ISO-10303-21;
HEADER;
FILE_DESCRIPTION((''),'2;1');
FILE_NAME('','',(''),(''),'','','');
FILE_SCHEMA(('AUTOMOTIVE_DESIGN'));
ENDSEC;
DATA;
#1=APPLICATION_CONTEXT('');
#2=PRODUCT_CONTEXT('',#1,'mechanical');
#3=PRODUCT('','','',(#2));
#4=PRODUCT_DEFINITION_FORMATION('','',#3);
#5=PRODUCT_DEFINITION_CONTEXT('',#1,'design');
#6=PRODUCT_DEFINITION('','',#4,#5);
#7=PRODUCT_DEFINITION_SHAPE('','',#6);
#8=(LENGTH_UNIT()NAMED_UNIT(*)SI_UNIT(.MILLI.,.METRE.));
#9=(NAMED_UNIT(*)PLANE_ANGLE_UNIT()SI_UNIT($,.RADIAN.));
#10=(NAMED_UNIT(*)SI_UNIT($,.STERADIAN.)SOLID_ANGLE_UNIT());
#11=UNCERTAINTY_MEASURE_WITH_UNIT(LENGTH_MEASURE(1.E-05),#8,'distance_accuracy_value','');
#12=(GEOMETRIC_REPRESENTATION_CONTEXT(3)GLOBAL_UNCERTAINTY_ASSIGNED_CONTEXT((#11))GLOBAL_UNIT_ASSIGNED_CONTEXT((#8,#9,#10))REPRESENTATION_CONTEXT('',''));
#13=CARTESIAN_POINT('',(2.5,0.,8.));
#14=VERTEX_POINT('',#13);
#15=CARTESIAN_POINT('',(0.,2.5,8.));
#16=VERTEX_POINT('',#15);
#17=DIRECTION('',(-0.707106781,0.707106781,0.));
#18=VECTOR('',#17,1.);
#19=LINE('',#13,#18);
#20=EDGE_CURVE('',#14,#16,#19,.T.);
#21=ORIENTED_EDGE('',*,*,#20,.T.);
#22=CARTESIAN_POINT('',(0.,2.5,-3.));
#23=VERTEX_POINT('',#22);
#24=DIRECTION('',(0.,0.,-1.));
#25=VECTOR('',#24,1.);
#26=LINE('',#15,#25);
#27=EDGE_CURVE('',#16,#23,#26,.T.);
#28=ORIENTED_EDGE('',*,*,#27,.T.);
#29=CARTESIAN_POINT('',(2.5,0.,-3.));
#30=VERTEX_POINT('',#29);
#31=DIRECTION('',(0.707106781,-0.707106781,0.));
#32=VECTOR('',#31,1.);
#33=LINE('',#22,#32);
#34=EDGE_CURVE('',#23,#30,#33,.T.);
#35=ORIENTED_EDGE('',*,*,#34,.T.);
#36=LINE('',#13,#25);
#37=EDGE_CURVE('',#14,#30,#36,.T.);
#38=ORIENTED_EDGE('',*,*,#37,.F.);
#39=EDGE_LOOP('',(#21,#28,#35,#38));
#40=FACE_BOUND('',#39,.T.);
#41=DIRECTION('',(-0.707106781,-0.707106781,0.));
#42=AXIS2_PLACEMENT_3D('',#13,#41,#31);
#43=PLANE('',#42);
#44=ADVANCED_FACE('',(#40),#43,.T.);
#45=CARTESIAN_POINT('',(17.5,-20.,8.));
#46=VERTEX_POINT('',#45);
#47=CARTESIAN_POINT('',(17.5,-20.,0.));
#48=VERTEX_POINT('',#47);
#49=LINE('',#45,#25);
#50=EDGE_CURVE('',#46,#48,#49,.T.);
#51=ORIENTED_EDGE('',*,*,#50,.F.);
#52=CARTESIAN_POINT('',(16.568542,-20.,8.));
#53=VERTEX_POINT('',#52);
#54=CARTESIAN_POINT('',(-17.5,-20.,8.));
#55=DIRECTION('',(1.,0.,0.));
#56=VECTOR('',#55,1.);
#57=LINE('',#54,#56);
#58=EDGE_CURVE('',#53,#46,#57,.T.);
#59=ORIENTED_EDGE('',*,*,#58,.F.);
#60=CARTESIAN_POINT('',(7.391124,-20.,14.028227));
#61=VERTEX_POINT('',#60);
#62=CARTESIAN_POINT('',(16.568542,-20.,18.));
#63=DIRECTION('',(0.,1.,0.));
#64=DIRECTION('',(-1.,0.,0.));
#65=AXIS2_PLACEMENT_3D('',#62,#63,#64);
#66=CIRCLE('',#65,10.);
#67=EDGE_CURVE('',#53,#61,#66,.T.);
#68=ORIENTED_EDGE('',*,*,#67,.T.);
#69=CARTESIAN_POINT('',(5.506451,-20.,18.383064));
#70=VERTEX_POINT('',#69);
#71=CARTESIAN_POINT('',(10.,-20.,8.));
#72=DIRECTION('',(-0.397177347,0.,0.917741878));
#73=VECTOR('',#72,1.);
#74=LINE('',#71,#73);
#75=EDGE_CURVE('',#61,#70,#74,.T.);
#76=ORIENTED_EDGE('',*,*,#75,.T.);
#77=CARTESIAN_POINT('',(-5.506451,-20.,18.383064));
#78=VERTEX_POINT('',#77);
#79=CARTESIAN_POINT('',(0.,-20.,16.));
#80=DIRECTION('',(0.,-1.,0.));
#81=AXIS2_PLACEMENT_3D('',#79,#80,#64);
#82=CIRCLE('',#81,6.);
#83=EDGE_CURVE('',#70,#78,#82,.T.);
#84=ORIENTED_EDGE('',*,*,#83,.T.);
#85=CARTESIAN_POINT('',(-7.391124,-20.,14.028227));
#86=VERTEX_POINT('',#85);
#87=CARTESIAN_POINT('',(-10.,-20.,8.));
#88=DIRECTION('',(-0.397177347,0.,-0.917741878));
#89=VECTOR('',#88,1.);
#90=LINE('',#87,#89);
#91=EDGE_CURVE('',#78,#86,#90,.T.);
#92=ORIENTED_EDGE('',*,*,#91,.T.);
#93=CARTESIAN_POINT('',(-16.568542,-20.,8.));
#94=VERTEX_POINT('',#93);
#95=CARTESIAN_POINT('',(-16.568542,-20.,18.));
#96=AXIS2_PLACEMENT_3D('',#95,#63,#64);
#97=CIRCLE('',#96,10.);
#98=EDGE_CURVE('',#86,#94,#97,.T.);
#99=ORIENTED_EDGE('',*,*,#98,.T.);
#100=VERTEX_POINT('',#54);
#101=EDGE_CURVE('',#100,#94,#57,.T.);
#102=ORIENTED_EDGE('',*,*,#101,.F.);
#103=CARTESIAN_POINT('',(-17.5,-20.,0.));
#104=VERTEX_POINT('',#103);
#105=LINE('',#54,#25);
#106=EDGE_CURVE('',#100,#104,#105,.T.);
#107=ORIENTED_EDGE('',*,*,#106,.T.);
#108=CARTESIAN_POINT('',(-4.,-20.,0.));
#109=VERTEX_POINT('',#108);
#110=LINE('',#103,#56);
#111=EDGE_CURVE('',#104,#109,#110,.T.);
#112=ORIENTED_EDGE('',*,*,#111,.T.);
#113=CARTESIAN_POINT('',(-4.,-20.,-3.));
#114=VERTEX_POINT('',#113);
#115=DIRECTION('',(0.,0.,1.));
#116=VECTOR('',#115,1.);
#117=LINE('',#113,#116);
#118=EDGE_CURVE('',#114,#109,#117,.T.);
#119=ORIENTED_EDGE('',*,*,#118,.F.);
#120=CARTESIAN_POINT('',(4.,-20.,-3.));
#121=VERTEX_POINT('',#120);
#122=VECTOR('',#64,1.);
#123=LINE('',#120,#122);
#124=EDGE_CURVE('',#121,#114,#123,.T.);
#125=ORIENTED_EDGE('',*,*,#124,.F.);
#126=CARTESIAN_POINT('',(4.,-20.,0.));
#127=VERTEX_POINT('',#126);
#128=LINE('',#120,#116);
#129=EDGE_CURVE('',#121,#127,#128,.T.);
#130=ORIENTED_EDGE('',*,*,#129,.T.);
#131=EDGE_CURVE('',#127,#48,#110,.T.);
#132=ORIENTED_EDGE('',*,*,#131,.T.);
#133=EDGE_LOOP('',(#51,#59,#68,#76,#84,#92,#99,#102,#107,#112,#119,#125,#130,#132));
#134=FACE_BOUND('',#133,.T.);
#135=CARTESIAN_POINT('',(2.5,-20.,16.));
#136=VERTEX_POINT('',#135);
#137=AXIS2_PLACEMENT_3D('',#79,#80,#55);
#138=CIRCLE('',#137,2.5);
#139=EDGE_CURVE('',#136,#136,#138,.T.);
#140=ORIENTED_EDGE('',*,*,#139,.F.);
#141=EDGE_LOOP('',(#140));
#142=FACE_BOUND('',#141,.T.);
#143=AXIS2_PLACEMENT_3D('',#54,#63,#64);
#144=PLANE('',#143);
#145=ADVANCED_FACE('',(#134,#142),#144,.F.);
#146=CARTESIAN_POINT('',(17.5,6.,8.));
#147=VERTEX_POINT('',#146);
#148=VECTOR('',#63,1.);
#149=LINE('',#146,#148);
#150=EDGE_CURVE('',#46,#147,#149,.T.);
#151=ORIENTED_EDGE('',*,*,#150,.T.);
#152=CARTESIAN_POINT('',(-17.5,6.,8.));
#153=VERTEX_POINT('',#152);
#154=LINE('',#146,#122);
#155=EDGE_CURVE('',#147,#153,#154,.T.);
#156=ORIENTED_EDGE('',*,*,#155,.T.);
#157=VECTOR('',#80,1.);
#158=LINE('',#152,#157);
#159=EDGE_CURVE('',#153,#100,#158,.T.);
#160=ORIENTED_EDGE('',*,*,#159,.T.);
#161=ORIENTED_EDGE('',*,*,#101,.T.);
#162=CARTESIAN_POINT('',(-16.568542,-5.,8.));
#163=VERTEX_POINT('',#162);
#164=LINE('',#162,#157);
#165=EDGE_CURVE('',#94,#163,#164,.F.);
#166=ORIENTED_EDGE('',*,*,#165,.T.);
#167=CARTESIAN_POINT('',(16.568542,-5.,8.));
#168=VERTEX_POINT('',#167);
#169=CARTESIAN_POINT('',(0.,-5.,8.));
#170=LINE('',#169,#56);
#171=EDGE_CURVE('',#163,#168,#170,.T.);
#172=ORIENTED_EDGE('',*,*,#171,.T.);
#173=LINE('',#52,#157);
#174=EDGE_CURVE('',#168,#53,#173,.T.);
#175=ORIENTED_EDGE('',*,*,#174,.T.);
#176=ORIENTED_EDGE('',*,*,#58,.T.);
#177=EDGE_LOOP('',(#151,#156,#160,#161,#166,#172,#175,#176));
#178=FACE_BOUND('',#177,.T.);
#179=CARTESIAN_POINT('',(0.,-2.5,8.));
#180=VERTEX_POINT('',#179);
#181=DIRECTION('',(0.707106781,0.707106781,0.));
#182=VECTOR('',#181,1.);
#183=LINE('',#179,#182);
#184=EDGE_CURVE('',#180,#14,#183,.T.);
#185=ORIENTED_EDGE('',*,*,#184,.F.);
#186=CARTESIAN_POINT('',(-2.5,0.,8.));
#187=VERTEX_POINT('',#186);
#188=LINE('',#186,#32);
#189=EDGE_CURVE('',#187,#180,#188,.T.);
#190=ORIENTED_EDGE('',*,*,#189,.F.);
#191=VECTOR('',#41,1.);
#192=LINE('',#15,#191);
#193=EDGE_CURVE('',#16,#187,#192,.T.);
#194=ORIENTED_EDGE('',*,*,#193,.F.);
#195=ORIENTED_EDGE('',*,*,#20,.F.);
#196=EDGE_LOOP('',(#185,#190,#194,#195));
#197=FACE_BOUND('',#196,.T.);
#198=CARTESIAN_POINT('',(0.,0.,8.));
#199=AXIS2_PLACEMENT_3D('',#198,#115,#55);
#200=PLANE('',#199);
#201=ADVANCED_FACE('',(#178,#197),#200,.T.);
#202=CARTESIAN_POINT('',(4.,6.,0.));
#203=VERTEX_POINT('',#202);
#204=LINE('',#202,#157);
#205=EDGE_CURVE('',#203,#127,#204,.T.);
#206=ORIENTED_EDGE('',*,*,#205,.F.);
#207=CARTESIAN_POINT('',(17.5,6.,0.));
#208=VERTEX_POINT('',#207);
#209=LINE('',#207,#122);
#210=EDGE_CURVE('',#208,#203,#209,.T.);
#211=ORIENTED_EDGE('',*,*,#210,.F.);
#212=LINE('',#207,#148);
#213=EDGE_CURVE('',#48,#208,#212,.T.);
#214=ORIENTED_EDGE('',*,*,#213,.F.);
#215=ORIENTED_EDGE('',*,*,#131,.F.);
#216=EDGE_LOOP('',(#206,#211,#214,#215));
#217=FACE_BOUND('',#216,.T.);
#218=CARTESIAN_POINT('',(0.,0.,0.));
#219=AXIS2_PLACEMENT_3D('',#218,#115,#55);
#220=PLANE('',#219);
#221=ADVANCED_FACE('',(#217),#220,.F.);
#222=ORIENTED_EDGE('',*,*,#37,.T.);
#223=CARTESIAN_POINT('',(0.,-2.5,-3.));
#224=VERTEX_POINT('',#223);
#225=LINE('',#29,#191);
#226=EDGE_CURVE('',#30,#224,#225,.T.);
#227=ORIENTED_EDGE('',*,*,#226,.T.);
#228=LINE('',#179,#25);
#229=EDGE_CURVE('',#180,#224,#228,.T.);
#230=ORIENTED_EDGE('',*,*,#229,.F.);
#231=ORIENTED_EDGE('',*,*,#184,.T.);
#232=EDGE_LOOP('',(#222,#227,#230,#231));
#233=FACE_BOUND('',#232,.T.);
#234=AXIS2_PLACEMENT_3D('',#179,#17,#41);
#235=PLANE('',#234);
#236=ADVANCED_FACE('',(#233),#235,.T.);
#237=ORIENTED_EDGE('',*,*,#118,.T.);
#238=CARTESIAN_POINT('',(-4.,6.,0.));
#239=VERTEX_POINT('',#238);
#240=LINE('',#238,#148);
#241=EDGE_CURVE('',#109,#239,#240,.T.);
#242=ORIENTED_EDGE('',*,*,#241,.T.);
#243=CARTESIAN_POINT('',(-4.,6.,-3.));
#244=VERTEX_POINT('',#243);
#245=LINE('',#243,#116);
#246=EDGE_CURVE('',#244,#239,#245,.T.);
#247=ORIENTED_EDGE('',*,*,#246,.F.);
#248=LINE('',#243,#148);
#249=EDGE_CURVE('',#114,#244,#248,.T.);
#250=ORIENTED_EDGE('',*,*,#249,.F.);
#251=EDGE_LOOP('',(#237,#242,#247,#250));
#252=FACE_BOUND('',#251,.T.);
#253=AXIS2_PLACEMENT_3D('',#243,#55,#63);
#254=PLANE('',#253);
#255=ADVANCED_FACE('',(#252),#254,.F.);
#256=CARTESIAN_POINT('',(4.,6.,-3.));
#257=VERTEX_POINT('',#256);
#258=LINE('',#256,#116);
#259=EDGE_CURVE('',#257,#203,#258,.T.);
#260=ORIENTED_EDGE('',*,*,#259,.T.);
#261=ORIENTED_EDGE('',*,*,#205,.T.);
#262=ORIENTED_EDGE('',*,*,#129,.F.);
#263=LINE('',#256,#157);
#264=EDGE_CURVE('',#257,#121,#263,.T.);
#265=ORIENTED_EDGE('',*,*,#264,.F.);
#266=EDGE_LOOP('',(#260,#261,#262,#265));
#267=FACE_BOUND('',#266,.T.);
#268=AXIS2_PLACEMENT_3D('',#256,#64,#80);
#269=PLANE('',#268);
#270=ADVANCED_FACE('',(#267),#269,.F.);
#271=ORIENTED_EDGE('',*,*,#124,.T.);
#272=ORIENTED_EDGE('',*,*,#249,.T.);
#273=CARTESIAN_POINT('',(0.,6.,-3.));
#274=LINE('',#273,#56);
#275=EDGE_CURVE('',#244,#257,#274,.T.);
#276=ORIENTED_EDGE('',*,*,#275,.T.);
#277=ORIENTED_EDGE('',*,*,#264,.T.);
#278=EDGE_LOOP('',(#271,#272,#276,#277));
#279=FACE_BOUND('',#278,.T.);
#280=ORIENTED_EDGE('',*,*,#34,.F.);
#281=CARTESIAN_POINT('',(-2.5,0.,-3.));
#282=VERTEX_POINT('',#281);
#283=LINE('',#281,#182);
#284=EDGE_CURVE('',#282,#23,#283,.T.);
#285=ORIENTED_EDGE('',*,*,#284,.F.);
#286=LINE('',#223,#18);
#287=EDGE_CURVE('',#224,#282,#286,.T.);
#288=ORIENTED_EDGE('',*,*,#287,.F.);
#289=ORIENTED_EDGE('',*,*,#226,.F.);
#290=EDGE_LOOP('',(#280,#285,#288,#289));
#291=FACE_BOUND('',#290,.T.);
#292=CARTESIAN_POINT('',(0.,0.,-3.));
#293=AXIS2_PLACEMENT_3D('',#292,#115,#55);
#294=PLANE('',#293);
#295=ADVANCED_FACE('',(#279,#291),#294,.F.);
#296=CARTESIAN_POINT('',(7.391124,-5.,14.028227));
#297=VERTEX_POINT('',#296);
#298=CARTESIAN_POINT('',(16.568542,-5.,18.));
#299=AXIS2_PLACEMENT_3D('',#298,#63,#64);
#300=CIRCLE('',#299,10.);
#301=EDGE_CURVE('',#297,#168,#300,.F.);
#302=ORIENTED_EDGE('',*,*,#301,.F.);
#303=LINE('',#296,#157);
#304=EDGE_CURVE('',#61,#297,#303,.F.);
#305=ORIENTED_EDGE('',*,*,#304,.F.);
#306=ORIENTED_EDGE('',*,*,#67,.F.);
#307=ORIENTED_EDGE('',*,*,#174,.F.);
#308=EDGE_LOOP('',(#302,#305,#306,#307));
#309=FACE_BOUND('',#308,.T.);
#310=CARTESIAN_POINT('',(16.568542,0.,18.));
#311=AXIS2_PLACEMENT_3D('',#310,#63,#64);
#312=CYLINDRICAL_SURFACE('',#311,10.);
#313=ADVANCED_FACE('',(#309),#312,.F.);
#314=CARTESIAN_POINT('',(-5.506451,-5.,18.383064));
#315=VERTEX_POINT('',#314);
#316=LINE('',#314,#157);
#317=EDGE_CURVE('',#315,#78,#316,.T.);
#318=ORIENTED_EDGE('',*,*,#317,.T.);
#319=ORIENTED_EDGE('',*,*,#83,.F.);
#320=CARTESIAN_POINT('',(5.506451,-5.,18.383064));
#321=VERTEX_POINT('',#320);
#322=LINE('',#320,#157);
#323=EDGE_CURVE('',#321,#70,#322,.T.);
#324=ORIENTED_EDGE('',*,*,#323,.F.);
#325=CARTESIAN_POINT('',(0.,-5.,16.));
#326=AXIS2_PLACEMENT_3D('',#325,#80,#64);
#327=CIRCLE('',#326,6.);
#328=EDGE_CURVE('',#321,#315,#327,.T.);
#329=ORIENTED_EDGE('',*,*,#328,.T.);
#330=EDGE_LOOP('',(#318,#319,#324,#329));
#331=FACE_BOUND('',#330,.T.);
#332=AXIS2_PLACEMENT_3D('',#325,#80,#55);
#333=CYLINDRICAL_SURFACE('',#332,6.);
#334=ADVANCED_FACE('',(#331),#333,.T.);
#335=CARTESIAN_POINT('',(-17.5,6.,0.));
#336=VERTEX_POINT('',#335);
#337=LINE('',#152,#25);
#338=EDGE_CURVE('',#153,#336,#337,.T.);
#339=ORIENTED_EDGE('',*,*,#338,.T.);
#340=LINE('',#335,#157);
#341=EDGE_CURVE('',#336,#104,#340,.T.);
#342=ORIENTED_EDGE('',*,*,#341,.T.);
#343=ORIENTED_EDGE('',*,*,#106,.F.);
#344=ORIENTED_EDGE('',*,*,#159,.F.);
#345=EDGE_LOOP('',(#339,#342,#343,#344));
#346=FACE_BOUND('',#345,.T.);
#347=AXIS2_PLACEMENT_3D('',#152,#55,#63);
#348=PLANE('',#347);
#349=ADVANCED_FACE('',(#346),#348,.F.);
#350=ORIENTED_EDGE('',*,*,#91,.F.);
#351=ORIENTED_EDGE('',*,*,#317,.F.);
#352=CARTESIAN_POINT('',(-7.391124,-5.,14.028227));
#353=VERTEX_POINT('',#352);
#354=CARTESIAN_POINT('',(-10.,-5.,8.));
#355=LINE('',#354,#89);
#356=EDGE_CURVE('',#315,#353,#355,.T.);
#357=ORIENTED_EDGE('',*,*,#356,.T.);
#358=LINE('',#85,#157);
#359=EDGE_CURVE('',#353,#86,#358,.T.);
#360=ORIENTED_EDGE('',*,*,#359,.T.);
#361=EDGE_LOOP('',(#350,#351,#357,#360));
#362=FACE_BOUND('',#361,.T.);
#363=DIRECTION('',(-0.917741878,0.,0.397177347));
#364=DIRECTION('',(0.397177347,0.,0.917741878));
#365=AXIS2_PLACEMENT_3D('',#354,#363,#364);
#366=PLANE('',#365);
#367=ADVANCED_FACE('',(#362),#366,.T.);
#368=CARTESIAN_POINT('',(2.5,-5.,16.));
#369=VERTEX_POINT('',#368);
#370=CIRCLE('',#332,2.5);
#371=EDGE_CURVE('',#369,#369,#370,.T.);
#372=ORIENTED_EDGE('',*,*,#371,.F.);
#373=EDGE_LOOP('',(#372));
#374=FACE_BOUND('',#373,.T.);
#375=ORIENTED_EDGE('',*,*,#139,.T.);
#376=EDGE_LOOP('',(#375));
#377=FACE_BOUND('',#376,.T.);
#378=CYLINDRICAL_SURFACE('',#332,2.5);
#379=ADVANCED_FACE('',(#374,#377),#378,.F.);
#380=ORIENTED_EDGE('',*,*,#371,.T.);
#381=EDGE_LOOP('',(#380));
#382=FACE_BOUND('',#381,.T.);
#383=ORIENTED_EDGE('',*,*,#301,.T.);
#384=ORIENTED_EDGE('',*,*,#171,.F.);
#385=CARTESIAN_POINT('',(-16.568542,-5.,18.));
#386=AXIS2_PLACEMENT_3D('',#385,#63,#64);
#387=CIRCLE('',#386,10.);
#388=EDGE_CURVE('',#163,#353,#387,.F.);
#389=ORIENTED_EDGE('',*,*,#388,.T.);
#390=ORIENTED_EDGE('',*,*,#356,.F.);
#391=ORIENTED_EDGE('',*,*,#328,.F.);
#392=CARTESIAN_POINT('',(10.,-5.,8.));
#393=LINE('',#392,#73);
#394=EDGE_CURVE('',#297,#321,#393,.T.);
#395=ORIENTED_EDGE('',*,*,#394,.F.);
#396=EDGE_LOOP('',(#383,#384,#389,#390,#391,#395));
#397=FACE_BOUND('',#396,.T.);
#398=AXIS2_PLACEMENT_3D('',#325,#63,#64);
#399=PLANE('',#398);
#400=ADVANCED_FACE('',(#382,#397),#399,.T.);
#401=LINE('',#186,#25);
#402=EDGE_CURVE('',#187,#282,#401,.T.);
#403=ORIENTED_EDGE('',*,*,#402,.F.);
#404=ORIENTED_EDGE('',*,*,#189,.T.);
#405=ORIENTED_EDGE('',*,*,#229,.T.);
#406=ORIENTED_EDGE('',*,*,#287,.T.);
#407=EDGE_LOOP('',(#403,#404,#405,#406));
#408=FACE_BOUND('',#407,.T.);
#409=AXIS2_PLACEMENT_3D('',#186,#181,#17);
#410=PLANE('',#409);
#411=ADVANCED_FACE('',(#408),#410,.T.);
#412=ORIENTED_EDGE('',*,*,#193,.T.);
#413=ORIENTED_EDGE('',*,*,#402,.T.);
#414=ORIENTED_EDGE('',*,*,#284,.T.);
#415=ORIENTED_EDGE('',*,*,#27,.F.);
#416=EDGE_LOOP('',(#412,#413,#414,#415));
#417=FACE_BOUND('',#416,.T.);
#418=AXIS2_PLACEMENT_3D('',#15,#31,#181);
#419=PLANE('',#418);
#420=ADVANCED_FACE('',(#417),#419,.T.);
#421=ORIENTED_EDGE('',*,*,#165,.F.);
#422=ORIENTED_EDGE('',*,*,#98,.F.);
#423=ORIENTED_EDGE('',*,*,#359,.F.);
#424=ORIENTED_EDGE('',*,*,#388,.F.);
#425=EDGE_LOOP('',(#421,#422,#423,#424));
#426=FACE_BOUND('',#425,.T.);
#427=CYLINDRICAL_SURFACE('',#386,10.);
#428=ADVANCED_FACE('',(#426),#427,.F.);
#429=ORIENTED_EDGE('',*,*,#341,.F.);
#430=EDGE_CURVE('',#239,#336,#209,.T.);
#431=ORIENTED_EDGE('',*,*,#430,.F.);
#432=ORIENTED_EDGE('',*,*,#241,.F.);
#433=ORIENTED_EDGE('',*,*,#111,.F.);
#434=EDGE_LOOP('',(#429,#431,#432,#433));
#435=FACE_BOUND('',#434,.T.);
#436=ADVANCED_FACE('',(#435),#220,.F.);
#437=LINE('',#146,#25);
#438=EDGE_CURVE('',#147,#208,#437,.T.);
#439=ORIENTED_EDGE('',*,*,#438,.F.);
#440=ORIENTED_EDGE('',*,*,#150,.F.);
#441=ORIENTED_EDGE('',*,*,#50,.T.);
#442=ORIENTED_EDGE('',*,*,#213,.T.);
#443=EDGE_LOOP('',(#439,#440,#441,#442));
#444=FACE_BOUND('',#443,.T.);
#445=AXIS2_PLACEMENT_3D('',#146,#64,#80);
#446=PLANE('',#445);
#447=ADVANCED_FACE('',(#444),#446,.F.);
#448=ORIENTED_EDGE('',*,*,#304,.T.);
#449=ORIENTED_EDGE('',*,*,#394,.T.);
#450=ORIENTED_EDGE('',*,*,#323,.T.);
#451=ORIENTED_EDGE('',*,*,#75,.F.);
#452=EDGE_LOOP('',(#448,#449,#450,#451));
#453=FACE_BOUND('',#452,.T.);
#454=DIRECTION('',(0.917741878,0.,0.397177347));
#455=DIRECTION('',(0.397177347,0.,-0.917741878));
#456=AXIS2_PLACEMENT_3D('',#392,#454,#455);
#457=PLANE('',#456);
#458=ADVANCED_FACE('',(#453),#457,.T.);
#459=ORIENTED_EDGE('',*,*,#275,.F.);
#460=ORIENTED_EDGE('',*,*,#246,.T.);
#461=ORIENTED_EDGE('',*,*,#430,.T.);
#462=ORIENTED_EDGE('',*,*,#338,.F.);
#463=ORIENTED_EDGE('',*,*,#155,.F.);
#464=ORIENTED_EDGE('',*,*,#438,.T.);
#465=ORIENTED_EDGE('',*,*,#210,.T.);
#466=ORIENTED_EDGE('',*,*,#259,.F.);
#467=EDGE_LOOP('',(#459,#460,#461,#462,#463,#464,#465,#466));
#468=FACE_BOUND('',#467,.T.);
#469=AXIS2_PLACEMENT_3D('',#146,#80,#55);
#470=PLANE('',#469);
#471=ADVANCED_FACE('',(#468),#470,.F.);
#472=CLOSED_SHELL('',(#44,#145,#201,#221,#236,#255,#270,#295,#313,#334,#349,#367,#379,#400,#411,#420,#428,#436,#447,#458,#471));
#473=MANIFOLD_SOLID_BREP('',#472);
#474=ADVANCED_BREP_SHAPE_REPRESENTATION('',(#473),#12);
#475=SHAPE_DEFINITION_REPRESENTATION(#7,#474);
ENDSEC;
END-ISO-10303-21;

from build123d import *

# Parameters (mm, degrees)
SKIZZE1_W                       = 35
SKIZZE1_H                       = 26
AUFSATZ_LINEAR_AUSTRAGEN1_DEPTH = 8
AUFSATZ_LINEAR_AUSTRAGEN2_DEPTH = 3
SKIZZE3_R                       = 2.5
AUFSATZ_LINEAR_AUSTRAGEN3_DEPTH = 15
VERRUNDUNG1_R                   = 10


with BuildPart() as part:
    # Skizze1 → Aufsatz-Linear austragen1 (new body)
    with BuildSketch(Plane.XY):
        with Locations((0, -7)):
            Rectangle(SKIZZE1_W, SKIZZE1_H)
        Polygon((0, 2.5), (-2.5, 0), (0, -2.5), (2.5, 0), align=None, mode=Mode.SUBTRACT)
    extrude(amount=AUFSATZ_LINEAR_AUSTRAGEN1_DEPTH)

    # Skizze2 → Aufsatz-Linear austragen2 (add)
    with BuildSketch(Plane(origin=(0, 0, 0), x_dir=(-1, 0, 0), z_dir=(0, 0, -1))):
        Polygon((0, 6), (-4, 6), (-4, -20), (0, -20), (4, -20), (4, 6), align=None)
        Polygon((-2.5, 0), (0, -2.5), (2.5, 0), (0, 2.5), align=None, mode=Mode.SUBTRACT)
    extrude(amount=AUFSATZ_LINEAR_AUSTRAGEN2_DEPTH)

    # Skizze3 → Aufsatz-Linear austragen3 (add)
    with BuildSketch(Plane.XZ.offset(20)):
        with BuildLine():
            Line((0, 8), (-10, 8))
            Line((-10, 8), (-5.506451268, 18.383064085))
            ThreePointArc((-5.506451268, 18.383064085), (0, 22), (5.506451268, 18.383064085))
            Line((5.506451268, 18.383064085), (10, 8))
            Line((10, 8), (0, 8))
        make_face()
        with Locations((0, 16)):
            Circle(SKIZZE3_R, mode=Mode.SUBTRACT)
    extrude(amount=-AUFSATZ_LINEAR_AUSTRAGEN3_DEPTH)

    # Verrundung1
    verrundung1_edges = [part.edges().sort_by_distance(p)[0] for p in [
        (10, -12.5, 8),
        (-10, -12.5, 8),
    ]]
    fillet(verrundung1_edges, radius=VERRUNDUNG1_R)


solid = part.part
